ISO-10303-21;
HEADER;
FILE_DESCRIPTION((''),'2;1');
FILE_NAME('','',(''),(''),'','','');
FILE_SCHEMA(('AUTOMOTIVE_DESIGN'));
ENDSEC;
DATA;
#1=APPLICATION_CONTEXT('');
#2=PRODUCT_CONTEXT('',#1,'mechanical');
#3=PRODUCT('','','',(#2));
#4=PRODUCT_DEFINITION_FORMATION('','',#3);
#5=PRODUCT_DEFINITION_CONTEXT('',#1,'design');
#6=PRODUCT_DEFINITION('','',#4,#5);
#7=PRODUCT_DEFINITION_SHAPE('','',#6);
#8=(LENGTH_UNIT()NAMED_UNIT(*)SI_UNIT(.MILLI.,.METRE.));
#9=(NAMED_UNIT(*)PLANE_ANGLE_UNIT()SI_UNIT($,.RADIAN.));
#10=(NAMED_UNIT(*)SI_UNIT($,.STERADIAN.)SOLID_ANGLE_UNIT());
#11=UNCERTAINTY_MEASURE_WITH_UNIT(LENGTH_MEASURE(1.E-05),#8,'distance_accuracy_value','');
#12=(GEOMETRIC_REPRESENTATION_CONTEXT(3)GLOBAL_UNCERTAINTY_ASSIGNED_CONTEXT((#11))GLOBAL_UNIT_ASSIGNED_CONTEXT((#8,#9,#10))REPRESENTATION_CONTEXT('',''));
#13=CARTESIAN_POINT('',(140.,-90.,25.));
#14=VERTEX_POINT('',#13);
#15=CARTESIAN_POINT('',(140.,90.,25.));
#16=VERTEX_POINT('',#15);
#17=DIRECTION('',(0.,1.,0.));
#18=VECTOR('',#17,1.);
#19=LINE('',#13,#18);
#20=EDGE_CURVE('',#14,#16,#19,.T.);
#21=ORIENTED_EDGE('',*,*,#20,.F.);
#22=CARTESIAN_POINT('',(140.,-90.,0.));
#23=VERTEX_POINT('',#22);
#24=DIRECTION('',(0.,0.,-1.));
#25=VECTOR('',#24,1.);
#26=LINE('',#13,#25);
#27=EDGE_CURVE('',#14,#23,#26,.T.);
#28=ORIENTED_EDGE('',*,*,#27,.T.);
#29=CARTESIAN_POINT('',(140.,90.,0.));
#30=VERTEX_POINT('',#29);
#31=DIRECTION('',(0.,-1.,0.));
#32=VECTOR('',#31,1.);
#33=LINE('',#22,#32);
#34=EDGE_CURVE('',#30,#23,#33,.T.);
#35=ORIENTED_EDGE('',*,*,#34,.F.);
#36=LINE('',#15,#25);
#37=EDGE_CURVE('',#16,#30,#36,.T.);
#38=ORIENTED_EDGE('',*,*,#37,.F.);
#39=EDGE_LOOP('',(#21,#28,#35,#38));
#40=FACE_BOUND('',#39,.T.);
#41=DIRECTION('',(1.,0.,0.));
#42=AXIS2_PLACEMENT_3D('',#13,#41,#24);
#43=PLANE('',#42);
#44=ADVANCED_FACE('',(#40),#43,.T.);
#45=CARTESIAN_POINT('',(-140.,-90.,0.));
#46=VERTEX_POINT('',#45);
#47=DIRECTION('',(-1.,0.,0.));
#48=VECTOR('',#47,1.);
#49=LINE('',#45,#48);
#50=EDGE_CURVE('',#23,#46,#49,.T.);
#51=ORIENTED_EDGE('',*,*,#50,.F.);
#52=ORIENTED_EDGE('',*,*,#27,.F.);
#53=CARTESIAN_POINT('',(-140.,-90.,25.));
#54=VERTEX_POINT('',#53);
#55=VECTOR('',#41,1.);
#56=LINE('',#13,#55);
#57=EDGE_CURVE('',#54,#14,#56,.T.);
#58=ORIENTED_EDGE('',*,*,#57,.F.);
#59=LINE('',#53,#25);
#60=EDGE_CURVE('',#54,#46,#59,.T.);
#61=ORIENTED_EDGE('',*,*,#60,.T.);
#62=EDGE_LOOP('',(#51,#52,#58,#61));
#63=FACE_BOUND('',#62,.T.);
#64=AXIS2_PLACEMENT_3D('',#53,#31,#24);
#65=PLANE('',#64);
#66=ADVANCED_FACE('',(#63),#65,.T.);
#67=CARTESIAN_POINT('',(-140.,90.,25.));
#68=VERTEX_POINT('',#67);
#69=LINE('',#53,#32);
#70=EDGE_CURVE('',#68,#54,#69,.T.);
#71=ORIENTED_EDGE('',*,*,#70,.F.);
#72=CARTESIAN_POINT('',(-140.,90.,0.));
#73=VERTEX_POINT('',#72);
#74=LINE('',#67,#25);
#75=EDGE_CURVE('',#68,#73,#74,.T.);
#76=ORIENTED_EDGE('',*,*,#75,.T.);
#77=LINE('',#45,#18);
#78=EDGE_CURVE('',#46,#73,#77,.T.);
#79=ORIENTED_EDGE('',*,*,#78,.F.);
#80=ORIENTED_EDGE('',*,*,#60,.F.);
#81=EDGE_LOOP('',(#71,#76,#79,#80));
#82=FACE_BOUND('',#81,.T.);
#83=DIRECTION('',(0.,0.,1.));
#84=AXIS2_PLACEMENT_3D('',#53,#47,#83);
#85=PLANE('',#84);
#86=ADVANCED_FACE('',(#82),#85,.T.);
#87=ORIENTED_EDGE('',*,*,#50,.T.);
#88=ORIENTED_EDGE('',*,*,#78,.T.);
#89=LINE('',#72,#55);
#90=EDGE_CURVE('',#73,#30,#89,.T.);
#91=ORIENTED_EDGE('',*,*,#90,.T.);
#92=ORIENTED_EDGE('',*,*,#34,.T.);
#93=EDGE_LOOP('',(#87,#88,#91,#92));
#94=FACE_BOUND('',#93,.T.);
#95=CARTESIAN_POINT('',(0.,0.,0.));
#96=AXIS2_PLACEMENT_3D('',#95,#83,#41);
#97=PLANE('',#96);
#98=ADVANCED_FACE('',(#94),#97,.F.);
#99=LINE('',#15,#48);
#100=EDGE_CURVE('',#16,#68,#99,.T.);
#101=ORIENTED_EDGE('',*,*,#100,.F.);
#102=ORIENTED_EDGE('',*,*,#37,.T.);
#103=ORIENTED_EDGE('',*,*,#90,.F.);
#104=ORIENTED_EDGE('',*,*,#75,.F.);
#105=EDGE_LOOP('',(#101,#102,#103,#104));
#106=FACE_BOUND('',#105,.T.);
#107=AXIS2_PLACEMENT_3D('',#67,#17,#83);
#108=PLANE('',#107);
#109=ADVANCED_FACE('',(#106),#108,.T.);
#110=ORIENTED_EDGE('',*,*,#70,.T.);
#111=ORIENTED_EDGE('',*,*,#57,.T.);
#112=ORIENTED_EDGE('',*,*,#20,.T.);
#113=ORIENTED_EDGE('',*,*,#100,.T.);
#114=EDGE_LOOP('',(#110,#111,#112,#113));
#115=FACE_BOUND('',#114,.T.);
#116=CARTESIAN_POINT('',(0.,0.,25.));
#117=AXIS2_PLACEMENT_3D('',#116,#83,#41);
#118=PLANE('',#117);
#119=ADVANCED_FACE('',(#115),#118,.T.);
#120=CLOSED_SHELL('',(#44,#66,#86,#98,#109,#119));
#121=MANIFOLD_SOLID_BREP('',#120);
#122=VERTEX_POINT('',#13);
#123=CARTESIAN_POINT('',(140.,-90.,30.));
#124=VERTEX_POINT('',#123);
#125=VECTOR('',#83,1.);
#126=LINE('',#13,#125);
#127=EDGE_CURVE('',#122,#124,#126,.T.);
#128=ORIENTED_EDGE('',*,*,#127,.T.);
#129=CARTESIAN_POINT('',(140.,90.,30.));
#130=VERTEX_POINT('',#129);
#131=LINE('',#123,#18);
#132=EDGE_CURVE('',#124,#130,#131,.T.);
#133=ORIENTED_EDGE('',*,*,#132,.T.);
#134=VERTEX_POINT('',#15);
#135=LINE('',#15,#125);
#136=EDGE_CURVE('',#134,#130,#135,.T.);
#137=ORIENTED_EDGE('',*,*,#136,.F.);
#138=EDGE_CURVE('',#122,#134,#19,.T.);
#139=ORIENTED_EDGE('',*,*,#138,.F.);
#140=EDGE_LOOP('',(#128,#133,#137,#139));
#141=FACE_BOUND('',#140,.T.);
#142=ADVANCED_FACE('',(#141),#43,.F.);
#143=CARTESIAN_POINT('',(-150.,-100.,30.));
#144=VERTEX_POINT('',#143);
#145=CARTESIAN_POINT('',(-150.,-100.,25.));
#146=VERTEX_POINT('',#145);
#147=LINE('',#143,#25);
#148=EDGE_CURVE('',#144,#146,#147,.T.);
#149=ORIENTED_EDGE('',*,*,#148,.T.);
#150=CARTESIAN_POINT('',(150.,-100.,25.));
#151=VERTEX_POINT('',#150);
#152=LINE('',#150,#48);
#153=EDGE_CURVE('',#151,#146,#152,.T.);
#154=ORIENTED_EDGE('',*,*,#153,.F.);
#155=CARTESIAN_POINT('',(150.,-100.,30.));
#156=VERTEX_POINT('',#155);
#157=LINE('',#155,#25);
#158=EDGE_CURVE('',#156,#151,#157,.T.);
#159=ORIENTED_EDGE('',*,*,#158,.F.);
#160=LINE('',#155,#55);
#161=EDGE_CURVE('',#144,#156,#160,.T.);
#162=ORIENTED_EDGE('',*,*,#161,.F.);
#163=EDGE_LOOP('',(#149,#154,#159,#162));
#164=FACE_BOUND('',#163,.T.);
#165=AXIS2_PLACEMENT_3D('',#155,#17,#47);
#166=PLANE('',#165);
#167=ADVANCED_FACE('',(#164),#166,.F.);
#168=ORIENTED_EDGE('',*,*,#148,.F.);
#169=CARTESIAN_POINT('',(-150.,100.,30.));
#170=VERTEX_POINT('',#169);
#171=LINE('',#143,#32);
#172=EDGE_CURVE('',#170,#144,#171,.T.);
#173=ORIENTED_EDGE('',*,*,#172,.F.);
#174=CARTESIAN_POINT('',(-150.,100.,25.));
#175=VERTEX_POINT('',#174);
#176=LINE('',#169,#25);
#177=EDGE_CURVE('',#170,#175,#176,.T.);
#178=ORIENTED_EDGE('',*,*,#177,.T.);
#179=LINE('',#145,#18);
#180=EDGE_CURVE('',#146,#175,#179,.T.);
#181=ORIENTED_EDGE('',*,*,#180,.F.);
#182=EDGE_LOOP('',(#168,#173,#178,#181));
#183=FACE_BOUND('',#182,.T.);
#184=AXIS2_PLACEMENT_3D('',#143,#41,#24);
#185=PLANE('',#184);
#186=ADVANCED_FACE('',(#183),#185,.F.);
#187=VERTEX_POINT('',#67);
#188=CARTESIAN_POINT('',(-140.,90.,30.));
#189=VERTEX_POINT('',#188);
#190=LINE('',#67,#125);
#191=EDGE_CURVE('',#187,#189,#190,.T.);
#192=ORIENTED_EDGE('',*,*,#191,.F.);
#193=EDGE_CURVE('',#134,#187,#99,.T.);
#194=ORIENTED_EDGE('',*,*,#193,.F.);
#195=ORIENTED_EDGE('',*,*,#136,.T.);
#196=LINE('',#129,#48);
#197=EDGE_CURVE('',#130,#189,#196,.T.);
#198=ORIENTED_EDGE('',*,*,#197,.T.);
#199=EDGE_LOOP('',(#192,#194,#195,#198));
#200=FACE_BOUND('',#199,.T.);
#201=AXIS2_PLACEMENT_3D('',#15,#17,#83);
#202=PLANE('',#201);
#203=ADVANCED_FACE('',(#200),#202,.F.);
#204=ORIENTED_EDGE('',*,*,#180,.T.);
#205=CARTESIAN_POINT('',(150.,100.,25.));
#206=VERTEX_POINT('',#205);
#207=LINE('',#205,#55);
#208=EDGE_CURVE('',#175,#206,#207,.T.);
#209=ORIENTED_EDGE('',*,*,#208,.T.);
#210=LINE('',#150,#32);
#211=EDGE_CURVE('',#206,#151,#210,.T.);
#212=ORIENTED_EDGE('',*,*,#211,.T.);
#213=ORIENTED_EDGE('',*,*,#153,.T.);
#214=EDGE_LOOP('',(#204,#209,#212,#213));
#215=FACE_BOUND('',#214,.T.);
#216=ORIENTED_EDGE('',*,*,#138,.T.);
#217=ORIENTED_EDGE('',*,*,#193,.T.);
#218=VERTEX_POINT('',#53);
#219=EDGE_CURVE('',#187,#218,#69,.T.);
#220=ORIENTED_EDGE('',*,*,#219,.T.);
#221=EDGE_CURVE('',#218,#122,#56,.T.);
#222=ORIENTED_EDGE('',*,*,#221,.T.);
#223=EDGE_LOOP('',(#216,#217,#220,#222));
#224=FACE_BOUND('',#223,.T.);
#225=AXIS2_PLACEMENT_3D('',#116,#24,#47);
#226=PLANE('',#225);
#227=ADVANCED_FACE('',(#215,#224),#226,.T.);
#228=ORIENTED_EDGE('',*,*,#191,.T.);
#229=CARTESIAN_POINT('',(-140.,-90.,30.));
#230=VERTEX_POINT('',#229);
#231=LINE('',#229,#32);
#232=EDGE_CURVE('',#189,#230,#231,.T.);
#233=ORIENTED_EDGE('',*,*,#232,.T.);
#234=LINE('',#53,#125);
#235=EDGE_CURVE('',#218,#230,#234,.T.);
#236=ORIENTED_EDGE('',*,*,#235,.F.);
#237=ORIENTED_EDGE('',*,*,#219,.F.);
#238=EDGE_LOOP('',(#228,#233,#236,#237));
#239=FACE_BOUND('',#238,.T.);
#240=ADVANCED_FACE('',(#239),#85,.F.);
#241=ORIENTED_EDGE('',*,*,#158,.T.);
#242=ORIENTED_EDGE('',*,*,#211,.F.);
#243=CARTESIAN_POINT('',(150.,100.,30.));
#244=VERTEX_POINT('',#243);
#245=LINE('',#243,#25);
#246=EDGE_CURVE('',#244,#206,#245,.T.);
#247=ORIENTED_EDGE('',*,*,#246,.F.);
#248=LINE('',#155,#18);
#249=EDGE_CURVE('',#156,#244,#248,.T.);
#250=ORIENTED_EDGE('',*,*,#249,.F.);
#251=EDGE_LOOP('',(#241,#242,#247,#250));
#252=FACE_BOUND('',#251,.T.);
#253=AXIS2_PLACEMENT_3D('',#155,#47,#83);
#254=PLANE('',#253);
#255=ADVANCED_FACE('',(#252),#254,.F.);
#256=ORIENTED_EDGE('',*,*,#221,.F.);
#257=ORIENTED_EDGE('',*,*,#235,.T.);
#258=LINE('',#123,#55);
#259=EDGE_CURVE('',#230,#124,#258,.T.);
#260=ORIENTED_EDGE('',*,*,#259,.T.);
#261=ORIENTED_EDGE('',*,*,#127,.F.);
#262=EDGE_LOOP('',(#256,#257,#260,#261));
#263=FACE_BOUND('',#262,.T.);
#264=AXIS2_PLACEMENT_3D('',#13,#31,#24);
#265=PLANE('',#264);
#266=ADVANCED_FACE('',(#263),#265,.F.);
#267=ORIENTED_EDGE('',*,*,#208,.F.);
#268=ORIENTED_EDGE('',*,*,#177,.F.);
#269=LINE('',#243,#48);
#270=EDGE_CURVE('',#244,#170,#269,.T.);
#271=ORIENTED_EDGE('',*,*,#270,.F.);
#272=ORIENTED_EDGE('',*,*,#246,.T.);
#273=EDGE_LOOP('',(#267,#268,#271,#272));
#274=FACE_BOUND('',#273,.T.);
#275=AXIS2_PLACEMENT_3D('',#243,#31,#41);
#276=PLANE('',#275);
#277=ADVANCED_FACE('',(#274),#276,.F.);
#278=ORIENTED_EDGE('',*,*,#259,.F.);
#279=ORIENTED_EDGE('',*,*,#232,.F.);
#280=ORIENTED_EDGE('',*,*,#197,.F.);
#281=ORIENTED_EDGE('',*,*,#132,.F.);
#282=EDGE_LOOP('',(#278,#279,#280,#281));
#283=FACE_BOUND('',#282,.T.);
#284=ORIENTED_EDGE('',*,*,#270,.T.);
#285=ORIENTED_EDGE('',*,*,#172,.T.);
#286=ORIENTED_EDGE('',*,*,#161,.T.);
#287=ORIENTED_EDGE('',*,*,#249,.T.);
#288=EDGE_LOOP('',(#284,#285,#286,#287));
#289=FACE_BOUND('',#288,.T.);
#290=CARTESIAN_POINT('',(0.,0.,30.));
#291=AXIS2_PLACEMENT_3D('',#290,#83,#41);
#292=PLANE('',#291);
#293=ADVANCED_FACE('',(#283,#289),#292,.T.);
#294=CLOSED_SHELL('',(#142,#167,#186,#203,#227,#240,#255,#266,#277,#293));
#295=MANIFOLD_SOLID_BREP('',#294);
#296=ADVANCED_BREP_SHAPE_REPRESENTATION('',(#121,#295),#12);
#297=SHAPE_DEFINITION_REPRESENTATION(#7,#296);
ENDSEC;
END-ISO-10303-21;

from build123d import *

# Parameters (mm, degrees)
SKETCH_1_W           = 300
SKETCH_1_H           = 200
EXTRUDE_1_DEPTH      = 30
SKETCH_2_W           = 280
SKETCH_2_H           = 180
CUT_EXTRUDE_1_DEPTH  = 5
SKETCH_3_OUTSIDE_W   = 374.36
SKETCH_3_OUTSIDE_H   = 274.36
SKETCH_3_OUTSIDE_W_2 = 280
SKETCH_3_OUTSIDE_H_2 = 180
CUT_EXTRUDE_2_DEPTH  = 25


with BuildPart() as part:
    # 草图1 → 凸台-拉伸1 (new body)
    with BuildSketch(Plane.XY):
        Rectangle(SKETCH_1_W, SKETCH_1_H)
    extrude(amount=EXTRUDE_1_DEPTH)

    # 草图2 → 切除-拉伸1 (cut)
    with BuildSketch(Plane.XY.offset(30)):
        Rectangle(SKETCH_2_W, SKETCH_2_H)
    extrude(amount=-CUT_EXTRUDE_1_DEPTH, mode=Mode.SUBTRACT)

    # 草图3 outside → 切除-拉伸2 (cut)
    with BuildSketch(Plane(origin=(0, 0, 0), x_dir=(-1, 0, 0), z_dir=(0, 0, -1))):
        Rectangle(SKETCH_3_OUTSIDE_W, SKETCH_3_OUTSIDE_H)
        Rectangle(SKETCH_3_OUTSIDE_W_2, SKETCH_3_OUTSIDE_H_2, mode=Mode.SUBTRACT)
    extrude(amount=-CUT_EXTRUDE_2_DEPTH, mode=Mode.SUBTRACT)


with BuildPart() as cut_extrude_2_piece_1:
    # of the separate pieces the step leaves, piece 1, a body of its own (cut_extrude_2_pieces)
    add(part.part.solids().sort_by_distance((-140, -90, 0))[0])


with BuildPart() as cut_extrude_2_piece_2:
    # of the separate pieces the step leaves, piece 2, a body of its own (cut_extrude_2_pieces)
    add(part.part.solids().sort_by_distance((-150, -100, 25))[0])


solid = Compound([cut_extrude_2_piece_1.part, cut_extrude_2_piece_2.part])
